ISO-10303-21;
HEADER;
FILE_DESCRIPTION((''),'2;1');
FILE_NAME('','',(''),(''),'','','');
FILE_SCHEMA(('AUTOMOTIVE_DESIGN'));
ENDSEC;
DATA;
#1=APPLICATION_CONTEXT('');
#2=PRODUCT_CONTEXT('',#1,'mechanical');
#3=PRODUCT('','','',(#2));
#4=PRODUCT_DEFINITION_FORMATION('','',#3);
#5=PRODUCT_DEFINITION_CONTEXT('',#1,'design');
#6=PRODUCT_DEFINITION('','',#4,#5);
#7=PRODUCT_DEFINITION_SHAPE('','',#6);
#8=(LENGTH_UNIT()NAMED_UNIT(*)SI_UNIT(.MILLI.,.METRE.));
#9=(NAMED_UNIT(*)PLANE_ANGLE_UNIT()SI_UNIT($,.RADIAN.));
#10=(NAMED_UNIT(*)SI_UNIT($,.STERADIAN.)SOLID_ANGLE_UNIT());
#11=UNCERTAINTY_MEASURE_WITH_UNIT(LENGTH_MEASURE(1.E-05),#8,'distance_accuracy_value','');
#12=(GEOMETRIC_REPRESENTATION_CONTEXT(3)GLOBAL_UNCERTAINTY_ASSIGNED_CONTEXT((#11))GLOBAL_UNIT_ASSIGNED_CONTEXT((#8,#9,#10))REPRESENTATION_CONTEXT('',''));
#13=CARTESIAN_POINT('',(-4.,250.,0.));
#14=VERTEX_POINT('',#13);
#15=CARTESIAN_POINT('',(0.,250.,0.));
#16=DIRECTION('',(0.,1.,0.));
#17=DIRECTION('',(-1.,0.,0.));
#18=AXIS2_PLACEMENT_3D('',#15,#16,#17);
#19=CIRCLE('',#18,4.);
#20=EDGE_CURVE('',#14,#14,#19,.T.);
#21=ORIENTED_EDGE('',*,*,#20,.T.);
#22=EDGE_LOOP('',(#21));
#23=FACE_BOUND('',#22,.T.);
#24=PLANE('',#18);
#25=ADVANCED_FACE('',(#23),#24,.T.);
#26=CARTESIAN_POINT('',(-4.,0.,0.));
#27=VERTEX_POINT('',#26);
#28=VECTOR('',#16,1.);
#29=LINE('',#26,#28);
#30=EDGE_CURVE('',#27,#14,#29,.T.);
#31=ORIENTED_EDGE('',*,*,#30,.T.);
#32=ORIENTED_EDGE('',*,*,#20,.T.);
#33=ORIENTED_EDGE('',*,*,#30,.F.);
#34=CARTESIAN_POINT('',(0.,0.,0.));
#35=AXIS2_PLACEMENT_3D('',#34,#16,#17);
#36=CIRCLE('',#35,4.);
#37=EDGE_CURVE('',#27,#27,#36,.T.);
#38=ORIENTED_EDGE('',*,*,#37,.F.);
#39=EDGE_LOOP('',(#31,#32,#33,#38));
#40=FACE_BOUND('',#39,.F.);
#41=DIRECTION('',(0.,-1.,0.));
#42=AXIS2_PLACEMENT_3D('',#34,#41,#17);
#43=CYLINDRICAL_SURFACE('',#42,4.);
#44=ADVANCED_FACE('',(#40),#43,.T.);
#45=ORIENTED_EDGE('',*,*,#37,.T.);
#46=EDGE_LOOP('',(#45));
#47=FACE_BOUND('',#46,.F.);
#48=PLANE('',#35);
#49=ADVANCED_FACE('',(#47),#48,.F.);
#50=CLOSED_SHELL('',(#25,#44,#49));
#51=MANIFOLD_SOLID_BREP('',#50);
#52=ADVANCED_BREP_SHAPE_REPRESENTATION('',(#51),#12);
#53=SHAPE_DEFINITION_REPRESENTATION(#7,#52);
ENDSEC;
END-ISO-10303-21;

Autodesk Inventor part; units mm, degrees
ref_plane "YZ Plane" through (0, 0, 0) normal (1, 0, 0) x (0, 1, 0)
ref_plane "XZ Plane" through (0, 0, 0) normal (0, 1, 0) x (-1, 0, 0)
ref_plane "XY Plane" through (0, 0, 0) normal (0, 0, 1) x (1, 0, 0)
sketch "Sketch1" plane through (0, 0, 0) normal (0, 1, 0) x (-1, 0, 0)
  circle A0 centre (0, 0) radius 4
  dimension "d6" = 8
extrude "Extrusion1" add sketch "Sketch1" along normal blind 250
properties part number "Lead screw"
